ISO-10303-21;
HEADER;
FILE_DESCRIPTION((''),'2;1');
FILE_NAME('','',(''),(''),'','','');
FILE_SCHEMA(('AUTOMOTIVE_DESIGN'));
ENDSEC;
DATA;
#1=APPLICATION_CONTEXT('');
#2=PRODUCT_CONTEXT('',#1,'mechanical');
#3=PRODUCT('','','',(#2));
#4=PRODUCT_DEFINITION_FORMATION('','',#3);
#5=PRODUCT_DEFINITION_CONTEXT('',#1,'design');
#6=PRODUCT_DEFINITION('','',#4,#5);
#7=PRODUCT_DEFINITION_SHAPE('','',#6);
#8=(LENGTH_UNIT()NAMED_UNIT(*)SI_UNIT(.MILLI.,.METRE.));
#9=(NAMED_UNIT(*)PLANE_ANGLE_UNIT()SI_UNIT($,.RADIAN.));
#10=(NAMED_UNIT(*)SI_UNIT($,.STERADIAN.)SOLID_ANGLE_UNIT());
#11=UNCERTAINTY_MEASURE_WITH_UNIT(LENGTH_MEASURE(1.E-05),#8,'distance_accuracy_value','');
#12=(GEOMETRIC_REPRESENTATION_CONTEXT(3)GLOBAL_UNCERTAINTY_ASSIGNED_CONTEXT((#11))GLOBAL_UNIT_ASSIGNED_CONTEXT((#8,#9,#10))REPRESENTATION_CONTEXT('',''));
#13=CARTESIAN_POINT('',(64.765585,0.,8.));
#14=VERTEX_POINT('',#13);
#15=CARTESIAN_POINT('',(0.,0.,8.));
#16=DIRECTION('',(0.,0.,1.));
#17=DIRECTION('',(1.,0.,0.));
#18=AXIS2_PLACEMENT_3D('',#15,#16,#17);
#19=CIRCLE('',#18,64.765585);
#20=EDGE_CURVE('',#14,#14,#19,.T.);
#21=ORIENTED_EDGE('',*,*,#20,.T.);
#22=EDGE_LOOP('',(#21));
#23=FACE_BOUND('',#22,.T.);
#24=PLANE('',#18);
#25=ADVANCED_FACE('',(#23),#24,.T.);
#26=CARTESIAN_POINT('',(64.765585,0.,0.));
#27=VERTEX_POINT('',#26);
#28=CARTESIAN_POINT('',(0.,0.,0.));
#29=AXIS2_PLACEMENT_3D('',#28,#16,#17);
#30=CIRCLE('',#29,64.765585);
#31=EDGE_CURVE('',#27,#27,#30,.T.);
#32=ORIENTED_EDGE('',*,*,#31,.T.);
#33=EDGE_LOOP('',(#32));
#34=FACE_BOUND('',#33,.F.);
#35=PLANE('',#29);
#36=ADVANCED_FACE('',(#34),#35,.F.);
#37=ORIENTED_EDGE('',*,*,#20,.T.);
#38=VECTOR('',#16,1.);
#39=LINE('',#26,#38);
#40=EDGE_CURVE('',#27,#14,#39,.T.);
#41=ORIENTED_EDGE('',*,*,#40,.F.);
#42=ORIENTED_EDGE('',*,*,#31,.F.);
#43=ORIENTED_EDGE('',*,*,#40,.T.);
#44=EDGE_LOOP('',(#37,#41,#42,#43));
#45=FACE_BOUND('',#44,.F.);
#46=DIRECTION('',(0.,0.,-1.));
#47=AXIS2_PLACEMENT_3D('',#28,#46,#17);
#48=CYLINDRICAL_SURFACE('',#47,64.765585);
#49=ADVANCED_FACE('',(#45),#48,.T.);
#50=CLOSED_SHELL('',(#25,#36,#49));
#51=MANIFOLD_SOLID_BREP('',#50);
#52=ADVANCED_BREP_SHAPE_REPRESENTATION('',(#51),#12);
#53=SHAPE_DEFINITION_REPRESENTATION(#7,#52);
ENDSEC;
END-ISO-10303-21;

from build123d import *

# Parameters (mm, degrees)
F0_R     = 64.765585
F1_DEPTH = 8
F3_R     = 60.430357
F4_DEPTH = 4


with BuildPart() as f1:
    # F0 (on Top) → F1 (new body)
    with BuildSketch(Plane.XY):
        Circle(F0_R)
    extrude(amount=F1_DEPTH)

    # F3 (on face) → F4 (join)
    with BuildSketch(Plane.XY.offset(8)):
        Circle(F3_R)
    extrude(amount=-F4_DEPTH)


solid = f1.part
